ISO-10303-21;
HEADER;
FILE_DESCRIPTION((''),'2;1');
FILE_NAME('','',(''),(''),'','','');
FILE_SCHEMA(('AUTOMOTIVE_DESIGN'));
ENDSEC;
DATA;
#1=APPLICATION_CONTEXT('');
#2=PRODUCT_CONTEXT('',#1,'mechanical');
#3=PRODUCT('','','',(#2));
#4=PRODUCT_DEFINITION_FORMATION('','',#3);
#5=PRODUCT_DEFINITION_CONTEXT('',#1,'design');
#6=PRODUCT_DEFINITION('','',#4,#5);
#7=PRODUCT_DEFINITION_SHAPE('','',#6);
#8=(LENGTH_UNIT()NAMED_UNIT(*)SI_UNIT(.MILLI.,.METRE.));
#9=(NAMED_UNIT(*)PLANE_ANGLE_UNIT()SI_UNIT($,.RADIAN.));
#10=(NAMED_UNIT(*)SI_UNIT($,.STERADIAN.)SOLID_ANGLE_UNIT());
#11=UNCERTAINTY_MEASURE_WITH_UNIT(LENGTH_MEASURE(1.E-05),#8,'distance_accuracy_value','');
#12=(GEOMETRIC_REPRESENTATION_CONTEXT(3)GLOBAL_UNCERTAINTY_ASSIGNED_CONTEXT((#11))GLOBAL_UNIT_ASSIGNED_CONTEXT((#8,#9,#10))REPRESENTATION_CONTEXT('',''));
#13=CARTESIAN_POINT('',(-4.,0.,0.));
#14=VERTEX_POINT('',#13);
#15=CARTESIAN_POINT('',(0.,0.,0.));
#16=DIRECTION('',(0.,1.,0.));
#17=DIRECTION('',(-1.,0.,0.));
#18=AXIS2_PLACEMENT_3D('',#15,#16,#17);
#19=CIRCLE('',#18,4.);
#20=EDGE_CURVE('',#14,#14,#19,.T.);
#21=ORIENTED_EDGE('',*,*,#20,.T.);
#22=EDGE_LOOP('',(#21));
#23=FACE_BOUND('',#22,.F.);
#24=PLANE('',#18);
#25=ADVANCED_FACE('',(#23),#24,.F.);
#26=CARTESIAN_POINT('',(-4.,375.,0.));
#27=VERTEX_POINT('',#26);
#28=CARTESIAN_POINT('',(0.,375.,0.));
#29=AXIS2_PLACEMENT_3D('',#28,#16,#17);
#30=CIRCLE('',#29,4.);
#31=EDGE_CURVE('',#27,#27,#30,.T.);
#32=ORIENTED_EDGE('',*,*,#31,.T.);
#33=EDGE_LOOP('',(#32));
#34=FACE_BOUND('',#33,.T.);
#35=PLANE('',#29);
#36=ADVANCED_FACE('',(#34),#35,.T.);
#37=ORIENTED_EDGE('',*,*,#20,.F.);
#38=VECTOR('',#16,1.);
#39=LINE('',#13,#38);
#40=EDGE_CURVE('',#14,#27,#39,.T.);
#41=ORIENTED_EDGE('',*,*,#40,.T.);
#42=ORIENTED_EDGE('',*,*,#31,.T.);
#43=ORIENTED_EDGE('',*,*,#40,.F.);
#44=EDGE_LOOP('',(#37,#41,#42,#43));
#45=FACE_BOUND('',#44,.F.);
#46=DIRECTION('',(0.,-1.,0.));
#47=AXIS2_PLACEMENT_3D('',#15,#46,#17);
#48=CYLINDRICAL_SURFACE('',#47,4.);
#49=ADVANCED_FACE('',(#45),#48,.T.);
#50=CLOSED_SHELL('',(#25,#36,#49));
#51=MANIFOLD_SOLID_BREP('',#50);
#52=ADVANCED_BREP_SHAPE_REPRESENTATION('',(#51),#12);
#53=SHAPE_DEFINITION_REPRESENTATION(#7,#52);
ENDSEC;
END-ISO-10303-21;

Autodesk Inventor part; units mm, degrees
ref_plane "YZ Plane" through (0, 0, 0) normal (1, 0, 0) x (0, 1, 0)
ref_plane "XZ Plane" through (0, 0, 0) normal (0, 1, 0) x (-1, 0, 0)
ref_plane "XY Plane" through (0, 0, 0) normal (0, 0, 1) x (1, 0, 0)
sketch "Sketch1" plane through (0, 0, 0) normal (0, 1, 0) x (-1, 0, 0)
  circle A0 centre (0, 0) radius 4
  dimension "d0" = 8
extrude "Extrusion1" add sketch "Sketch1" along normal blind 375
thread "Thread1" size "M8x1.25" class "6g" standard "ISO Metric profile" full length
properties part number "bpSupVertArm37"
